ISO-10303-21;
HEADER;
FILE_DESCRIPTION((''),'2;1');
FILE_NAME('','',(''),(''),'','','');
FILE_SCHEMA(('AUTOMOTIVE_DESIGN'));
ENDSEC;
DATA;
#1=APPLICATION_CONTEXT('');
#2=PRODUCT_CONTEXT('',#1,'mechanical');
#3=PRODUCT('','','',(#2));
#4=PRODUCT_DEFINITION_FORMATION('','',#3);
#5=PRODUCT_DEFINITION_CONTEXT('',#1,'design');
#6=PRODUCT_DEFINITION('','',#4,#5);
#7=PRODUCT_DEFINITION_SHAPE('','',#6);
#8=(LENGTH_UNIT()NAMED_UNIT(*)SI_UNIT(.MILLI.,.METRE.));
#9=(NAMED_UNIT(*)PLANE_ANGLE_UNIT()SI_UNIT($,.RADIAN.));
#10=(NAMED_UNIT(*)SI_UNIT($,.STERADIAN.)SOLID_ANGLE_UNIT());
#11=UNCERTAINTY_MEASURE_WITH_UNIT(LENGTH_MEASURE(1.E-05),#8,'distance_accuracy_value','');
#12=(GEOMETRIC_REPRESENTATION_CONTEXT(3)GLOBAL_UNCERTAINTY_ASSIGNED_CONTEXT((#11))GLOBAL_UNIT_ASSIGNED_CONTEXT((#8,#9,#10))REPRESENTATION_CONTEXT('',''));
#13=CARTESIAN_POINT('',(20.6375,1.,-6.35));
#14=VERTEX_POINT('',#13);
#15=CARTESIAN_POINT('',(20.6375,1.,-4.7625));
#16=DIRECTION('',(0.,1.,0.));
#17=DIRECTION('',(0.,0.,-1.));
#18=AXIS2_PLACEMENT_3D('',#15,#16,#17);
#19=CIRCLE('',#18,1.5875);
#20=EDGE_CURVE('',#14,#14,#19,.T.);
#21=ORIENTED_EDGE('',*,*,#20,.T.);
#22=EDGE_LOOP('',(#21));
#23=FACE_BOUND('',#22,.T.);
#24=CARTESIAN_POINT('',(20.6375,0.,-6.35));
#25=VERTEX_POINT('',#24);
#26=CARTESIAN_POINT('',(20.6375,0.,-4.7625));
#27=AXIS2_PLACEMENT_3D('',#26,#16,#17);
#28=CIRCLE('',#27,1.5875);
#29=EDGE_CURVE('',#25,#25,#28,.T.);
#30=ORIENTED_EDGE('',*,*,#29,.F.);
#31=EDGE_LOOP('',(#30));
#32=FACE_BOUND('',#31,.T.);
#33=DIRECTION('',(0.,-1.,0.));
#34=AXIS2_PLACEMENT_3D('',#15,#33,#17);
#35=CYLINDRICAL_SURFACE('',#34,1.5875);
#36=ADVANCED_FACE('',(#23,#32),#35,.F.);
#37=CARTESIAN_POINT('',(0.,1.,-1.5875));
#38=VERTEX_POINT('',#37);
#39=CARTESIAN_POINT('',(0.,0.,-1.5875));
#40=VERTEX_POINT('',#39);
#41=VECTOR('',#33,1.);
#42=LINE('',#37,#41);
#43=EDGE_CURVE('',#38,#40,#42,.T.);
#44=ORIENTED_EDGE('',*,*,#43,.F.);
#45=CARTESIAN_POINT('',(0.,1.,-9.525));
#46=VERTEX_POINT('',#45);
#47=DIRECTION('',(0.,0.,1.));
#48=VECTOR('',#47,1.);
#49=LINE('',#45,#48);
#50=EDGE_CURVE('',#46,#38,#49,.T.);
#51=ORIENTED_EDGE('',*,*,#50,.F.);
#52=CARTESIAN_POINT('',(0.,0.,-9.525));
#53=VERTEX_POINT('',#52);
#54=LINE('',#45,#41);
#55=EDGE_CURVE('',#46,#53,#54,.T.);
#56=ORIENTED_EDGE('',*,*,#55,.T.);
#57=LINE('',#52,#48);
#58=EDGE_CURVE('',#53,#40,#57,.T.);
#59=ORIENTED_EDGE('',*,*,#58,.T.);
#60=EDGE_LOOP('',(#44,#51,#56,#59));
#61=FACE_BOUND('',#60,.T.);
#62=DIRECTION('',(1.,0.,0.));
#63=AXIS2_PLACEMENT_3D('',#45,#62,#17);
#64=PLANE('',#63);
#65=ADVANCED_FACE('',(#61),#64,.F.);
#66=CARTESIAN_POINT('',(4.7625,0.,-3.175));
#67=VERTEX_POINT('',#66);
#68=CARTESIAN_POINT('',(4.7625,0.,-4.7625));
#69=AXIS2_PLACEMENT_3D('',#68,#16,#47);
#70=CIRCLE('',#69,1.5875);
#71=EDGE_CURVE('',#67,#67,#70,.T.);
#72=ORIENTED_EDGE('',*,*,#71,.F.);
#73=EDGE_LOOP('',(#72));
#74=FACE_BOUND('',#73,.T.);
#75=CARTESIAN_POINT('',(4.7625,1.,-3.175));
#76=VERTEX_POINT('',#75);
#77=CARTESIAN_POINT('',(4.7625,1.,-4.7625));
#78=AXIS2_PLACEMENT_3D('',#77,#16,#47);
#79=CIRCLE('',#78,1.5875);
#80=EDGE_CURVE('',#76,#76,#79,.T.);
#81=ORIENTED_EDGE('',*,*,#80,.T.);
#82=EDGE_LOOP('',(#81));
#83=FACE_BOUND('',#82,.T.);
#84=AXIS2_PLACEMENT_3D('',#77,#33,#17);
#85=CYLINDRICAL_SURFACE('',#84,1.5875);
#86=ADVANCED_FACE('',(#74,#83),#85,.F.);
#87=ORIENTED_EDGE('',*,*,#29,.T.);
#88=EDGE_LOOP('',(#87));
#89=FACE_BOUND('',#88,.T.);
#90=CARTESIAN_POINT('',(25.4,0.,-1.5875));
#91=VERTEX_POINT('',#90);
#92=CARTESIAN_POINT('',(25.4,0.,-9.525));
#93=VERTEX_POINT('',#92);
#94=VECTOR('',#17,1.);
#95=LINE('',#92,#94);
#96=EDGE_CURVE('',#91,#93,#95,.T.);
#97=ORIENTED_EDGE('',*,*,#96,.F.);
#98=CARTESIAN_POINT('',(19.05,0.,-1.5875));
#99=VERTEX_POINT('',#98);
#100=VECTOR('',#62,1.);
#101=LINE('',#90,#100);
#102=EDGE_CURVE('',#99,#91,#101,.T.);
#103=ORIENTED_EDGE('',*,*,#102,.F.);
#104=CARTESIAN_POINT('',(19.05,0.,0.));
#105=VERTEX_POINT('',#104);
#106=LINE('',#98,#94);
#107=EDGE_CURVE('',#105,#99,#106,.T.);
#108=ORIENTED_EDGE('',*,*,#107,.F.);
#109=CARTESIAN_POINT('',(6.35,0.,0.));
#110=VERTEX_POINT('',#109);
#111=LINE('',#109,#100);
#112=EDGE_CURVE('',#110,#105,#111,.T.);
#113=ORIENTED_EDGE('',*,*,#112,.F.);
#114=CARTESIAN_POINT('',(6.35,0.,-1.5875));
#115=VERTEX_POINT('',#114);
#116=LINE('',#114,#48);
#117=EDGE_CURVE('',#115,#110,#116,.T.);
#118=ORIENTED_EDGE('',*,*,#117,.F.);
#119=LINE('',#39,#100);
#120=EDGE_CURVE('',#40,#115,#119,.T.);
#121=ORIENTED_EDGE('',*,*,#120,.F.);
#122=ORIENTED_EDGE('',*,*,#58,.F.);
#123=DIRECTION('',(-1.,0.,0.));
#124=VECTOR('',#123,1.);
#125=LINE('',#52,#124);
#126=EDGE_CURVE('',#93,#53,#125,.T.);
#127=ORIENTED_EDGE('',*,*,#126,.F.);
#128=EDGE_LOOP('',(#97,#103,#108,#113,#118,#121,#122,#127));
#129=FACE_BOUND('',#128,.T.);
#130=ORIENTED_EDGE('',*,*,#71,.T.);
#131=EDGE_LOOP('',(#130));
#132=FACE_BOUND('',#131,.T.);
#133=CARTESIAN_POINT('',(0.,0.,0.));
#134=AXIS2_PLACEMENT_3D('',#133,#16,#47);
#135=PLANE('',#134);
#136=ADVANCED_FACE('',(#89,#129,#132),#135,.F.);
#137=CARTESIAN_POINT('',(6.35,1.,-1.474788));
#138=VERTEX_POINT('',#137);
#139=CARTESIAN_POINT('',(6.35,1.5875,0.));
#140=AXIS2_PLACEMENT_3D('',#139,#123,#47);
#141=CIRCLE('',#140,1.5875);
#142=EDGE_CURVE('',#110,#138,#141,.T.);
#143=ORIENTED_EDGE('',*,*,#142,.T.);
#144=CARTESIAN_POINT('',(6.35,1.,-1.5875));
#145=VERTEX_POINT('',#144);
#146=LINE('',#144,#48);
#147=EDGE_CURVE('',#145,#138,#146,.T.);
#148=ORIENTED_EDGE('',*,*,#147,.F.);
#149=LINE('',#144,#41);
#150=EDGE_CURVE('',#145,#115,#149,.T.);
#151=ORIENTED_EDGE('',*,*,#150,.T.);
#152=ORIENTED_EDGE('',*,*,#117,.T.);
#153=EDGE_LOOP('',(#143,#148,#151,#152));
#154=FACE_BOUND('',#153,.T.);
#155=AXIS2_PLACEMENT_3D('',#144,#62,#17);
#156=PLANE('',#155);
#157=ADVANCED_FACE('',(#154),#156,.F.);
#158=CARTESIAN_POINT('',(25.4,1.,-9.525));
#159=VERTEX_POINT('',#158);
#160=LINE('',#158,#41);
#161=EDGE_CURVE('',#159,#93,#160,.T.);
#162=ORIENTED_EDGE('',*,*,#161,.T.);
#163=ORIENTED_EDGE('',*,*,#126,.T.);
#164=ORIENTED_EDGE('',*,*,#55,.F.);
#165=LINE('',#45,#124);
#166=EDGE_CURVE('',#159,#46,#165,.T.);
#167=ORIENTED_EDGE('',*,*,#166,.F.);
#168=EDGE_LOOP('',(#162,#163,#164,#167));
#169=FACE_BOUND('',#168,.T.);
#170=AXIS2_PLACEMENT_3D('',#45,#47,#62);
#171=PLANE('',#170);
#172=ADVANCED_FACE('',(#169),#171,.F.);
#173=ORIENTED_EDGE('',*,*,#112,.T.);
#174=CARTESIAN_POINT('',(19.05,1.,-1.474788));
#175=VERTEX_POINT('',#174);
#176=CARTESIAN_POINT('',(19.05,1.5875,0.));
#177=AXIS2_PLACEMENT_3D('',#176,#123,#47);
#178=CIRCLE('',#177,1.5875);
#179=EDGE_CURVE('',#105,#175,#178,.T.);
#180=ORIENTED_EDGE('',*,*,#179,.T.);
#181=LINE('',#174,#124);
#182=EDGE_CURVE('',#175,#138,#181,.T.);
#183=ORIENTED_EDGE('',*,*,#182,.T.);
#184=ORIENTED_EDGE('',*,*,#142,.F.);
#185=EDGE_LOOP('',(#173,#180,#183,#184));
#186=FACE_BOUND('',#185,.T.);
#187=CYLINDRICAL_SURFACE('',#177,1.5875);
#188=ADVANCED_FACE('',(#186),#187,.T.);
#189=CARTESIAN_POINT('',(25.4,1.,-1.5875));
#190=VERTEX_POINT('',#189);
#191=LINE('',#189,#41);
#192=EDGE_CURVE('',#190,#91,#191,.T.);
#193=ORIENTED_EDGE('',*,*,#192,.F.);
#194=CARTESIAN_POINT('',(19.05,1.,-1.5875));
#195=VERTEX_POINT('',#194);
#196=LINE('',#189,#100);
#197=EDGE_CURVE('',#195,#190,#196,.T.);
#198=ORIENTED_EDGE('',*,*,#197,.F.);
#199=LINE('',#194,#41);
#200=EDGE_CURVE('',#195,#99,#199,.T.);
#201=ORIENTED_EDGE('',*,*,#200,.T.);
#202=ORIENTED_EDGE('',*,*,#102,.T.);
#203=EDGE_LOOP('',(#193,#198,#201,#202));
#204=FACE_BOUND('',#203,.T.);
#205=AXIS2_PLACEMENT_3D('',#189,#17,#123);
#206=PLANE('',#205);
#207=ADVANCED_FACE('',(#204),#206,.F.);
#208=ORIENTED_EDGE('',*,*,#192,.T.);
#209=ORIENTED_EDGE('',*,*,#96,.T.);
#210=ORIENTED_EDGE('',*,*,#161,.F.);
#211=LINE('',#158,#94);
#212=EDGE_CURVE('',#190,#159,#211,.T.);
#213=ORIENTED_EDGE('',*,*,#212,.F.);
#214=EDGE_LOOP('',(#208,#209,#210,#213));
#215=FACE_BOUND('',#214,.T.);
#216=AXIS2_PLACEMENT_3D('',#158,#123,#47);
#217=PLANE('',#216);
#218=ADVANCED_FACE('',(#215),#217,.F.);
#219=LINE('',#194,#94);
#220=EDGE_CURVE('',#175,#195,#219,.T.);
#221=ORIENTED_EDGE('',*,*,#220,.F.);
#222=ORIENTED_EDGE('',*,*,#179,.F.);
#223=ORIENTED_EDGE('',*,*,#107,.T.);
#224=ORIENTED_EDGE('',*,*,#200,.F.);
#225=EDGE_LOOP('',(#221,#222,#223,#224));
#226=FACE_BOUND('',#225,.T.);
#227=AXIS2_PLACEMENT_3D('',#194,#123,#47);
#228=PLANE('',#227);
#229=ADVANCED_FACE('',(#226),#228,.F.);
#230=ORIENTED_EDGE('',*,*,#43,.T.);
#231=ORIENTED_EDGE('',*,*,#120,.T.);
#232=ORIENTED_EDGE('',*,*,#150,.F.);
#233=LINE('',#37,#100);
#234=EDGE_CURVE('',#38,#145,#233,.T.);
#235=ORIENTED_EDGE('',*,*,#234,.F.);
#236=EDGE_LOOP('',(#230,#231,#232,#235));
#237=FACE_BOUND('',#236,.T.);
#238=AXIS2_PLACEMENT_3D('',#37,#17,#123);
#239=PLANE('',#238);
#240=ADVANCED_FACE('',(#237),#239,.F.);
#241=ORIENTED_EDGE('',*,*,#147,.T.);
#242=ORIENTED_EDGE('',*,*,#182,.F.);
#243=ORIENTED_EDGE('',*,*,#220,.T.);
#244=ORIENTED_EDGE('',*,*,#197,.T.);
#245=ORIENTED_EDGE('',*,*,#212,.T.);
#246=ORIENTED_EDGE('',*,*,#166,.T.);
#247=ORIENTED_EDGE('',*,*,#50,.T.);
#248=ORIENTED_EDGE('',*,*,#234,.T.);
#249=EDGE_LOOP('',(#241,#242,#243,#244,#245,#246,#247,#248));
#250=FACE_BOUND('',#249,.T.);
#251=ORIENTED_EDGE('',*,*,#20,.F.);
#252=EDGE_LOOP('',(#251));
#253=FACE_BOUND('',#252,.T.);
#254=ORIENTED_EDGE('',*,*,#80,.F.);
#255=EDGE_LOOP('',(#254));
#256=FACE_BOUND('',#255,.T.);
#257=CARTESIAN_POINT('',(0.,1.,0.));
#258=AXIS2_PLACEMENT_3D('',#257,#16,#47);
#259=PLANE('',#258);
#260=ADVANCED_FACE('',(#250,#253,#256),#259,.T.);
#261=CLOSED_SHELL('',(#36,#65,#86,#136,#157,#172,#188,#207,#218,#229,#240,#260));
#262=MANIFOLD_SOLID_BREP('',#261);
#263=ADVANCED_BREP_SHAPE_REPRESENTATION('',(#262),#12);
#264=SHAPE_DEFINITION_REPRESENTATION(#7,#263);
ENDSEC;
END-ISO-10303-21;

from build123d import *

# Parameters (mm, degrees)
SKETCH1_R           = 1.5875
BOSS_EXTRUDE1_DEPTH = 1
SKETCH2_R           = 1.5875
BOSS_EXTRUDE2_DEPTH = 12.7


with BuildPart() as part:
    # Sketch1 → Boss-Extrude1 (new body)
    with BuildSketch(Plane(origin=(0, 0, 0), x_dir=(1, 0, 0), z_dir=(0, 1, 0))):
        Polygon((25.4, 9.525), (25.4, 1.5875), (19.05, 1.5875), (19.05, 0), (6.35, 0), (6.35, 1.5875), (0, 1.5875), (0, 9.525), align=None)
        with Locations(Location((4.7625, 4.7625, 0), (0, 0, 270))):
            Circle(SKETCH1_R, mode=Mode.SUBTRACT)
        with Locations(Location((20.6375, 4.7625, 0), (0, 0, 90))):
            Circle(SKETCH1_R, mode=Mode.SUBTRACT)
    extrude(amount=BOSS_EXTRUDE1_DEPTH)

    # Sketch2 → Boss-Extrude2 (add)
    with BuildSketch(Plane.ZY.offset(-6.35)):
        with Locations((0, 1.5875)):
            Circle(SKETCH2_R)
    extrude(amount=-BOSS_EXTRUDE2_DEPTH)


solid = part.part
